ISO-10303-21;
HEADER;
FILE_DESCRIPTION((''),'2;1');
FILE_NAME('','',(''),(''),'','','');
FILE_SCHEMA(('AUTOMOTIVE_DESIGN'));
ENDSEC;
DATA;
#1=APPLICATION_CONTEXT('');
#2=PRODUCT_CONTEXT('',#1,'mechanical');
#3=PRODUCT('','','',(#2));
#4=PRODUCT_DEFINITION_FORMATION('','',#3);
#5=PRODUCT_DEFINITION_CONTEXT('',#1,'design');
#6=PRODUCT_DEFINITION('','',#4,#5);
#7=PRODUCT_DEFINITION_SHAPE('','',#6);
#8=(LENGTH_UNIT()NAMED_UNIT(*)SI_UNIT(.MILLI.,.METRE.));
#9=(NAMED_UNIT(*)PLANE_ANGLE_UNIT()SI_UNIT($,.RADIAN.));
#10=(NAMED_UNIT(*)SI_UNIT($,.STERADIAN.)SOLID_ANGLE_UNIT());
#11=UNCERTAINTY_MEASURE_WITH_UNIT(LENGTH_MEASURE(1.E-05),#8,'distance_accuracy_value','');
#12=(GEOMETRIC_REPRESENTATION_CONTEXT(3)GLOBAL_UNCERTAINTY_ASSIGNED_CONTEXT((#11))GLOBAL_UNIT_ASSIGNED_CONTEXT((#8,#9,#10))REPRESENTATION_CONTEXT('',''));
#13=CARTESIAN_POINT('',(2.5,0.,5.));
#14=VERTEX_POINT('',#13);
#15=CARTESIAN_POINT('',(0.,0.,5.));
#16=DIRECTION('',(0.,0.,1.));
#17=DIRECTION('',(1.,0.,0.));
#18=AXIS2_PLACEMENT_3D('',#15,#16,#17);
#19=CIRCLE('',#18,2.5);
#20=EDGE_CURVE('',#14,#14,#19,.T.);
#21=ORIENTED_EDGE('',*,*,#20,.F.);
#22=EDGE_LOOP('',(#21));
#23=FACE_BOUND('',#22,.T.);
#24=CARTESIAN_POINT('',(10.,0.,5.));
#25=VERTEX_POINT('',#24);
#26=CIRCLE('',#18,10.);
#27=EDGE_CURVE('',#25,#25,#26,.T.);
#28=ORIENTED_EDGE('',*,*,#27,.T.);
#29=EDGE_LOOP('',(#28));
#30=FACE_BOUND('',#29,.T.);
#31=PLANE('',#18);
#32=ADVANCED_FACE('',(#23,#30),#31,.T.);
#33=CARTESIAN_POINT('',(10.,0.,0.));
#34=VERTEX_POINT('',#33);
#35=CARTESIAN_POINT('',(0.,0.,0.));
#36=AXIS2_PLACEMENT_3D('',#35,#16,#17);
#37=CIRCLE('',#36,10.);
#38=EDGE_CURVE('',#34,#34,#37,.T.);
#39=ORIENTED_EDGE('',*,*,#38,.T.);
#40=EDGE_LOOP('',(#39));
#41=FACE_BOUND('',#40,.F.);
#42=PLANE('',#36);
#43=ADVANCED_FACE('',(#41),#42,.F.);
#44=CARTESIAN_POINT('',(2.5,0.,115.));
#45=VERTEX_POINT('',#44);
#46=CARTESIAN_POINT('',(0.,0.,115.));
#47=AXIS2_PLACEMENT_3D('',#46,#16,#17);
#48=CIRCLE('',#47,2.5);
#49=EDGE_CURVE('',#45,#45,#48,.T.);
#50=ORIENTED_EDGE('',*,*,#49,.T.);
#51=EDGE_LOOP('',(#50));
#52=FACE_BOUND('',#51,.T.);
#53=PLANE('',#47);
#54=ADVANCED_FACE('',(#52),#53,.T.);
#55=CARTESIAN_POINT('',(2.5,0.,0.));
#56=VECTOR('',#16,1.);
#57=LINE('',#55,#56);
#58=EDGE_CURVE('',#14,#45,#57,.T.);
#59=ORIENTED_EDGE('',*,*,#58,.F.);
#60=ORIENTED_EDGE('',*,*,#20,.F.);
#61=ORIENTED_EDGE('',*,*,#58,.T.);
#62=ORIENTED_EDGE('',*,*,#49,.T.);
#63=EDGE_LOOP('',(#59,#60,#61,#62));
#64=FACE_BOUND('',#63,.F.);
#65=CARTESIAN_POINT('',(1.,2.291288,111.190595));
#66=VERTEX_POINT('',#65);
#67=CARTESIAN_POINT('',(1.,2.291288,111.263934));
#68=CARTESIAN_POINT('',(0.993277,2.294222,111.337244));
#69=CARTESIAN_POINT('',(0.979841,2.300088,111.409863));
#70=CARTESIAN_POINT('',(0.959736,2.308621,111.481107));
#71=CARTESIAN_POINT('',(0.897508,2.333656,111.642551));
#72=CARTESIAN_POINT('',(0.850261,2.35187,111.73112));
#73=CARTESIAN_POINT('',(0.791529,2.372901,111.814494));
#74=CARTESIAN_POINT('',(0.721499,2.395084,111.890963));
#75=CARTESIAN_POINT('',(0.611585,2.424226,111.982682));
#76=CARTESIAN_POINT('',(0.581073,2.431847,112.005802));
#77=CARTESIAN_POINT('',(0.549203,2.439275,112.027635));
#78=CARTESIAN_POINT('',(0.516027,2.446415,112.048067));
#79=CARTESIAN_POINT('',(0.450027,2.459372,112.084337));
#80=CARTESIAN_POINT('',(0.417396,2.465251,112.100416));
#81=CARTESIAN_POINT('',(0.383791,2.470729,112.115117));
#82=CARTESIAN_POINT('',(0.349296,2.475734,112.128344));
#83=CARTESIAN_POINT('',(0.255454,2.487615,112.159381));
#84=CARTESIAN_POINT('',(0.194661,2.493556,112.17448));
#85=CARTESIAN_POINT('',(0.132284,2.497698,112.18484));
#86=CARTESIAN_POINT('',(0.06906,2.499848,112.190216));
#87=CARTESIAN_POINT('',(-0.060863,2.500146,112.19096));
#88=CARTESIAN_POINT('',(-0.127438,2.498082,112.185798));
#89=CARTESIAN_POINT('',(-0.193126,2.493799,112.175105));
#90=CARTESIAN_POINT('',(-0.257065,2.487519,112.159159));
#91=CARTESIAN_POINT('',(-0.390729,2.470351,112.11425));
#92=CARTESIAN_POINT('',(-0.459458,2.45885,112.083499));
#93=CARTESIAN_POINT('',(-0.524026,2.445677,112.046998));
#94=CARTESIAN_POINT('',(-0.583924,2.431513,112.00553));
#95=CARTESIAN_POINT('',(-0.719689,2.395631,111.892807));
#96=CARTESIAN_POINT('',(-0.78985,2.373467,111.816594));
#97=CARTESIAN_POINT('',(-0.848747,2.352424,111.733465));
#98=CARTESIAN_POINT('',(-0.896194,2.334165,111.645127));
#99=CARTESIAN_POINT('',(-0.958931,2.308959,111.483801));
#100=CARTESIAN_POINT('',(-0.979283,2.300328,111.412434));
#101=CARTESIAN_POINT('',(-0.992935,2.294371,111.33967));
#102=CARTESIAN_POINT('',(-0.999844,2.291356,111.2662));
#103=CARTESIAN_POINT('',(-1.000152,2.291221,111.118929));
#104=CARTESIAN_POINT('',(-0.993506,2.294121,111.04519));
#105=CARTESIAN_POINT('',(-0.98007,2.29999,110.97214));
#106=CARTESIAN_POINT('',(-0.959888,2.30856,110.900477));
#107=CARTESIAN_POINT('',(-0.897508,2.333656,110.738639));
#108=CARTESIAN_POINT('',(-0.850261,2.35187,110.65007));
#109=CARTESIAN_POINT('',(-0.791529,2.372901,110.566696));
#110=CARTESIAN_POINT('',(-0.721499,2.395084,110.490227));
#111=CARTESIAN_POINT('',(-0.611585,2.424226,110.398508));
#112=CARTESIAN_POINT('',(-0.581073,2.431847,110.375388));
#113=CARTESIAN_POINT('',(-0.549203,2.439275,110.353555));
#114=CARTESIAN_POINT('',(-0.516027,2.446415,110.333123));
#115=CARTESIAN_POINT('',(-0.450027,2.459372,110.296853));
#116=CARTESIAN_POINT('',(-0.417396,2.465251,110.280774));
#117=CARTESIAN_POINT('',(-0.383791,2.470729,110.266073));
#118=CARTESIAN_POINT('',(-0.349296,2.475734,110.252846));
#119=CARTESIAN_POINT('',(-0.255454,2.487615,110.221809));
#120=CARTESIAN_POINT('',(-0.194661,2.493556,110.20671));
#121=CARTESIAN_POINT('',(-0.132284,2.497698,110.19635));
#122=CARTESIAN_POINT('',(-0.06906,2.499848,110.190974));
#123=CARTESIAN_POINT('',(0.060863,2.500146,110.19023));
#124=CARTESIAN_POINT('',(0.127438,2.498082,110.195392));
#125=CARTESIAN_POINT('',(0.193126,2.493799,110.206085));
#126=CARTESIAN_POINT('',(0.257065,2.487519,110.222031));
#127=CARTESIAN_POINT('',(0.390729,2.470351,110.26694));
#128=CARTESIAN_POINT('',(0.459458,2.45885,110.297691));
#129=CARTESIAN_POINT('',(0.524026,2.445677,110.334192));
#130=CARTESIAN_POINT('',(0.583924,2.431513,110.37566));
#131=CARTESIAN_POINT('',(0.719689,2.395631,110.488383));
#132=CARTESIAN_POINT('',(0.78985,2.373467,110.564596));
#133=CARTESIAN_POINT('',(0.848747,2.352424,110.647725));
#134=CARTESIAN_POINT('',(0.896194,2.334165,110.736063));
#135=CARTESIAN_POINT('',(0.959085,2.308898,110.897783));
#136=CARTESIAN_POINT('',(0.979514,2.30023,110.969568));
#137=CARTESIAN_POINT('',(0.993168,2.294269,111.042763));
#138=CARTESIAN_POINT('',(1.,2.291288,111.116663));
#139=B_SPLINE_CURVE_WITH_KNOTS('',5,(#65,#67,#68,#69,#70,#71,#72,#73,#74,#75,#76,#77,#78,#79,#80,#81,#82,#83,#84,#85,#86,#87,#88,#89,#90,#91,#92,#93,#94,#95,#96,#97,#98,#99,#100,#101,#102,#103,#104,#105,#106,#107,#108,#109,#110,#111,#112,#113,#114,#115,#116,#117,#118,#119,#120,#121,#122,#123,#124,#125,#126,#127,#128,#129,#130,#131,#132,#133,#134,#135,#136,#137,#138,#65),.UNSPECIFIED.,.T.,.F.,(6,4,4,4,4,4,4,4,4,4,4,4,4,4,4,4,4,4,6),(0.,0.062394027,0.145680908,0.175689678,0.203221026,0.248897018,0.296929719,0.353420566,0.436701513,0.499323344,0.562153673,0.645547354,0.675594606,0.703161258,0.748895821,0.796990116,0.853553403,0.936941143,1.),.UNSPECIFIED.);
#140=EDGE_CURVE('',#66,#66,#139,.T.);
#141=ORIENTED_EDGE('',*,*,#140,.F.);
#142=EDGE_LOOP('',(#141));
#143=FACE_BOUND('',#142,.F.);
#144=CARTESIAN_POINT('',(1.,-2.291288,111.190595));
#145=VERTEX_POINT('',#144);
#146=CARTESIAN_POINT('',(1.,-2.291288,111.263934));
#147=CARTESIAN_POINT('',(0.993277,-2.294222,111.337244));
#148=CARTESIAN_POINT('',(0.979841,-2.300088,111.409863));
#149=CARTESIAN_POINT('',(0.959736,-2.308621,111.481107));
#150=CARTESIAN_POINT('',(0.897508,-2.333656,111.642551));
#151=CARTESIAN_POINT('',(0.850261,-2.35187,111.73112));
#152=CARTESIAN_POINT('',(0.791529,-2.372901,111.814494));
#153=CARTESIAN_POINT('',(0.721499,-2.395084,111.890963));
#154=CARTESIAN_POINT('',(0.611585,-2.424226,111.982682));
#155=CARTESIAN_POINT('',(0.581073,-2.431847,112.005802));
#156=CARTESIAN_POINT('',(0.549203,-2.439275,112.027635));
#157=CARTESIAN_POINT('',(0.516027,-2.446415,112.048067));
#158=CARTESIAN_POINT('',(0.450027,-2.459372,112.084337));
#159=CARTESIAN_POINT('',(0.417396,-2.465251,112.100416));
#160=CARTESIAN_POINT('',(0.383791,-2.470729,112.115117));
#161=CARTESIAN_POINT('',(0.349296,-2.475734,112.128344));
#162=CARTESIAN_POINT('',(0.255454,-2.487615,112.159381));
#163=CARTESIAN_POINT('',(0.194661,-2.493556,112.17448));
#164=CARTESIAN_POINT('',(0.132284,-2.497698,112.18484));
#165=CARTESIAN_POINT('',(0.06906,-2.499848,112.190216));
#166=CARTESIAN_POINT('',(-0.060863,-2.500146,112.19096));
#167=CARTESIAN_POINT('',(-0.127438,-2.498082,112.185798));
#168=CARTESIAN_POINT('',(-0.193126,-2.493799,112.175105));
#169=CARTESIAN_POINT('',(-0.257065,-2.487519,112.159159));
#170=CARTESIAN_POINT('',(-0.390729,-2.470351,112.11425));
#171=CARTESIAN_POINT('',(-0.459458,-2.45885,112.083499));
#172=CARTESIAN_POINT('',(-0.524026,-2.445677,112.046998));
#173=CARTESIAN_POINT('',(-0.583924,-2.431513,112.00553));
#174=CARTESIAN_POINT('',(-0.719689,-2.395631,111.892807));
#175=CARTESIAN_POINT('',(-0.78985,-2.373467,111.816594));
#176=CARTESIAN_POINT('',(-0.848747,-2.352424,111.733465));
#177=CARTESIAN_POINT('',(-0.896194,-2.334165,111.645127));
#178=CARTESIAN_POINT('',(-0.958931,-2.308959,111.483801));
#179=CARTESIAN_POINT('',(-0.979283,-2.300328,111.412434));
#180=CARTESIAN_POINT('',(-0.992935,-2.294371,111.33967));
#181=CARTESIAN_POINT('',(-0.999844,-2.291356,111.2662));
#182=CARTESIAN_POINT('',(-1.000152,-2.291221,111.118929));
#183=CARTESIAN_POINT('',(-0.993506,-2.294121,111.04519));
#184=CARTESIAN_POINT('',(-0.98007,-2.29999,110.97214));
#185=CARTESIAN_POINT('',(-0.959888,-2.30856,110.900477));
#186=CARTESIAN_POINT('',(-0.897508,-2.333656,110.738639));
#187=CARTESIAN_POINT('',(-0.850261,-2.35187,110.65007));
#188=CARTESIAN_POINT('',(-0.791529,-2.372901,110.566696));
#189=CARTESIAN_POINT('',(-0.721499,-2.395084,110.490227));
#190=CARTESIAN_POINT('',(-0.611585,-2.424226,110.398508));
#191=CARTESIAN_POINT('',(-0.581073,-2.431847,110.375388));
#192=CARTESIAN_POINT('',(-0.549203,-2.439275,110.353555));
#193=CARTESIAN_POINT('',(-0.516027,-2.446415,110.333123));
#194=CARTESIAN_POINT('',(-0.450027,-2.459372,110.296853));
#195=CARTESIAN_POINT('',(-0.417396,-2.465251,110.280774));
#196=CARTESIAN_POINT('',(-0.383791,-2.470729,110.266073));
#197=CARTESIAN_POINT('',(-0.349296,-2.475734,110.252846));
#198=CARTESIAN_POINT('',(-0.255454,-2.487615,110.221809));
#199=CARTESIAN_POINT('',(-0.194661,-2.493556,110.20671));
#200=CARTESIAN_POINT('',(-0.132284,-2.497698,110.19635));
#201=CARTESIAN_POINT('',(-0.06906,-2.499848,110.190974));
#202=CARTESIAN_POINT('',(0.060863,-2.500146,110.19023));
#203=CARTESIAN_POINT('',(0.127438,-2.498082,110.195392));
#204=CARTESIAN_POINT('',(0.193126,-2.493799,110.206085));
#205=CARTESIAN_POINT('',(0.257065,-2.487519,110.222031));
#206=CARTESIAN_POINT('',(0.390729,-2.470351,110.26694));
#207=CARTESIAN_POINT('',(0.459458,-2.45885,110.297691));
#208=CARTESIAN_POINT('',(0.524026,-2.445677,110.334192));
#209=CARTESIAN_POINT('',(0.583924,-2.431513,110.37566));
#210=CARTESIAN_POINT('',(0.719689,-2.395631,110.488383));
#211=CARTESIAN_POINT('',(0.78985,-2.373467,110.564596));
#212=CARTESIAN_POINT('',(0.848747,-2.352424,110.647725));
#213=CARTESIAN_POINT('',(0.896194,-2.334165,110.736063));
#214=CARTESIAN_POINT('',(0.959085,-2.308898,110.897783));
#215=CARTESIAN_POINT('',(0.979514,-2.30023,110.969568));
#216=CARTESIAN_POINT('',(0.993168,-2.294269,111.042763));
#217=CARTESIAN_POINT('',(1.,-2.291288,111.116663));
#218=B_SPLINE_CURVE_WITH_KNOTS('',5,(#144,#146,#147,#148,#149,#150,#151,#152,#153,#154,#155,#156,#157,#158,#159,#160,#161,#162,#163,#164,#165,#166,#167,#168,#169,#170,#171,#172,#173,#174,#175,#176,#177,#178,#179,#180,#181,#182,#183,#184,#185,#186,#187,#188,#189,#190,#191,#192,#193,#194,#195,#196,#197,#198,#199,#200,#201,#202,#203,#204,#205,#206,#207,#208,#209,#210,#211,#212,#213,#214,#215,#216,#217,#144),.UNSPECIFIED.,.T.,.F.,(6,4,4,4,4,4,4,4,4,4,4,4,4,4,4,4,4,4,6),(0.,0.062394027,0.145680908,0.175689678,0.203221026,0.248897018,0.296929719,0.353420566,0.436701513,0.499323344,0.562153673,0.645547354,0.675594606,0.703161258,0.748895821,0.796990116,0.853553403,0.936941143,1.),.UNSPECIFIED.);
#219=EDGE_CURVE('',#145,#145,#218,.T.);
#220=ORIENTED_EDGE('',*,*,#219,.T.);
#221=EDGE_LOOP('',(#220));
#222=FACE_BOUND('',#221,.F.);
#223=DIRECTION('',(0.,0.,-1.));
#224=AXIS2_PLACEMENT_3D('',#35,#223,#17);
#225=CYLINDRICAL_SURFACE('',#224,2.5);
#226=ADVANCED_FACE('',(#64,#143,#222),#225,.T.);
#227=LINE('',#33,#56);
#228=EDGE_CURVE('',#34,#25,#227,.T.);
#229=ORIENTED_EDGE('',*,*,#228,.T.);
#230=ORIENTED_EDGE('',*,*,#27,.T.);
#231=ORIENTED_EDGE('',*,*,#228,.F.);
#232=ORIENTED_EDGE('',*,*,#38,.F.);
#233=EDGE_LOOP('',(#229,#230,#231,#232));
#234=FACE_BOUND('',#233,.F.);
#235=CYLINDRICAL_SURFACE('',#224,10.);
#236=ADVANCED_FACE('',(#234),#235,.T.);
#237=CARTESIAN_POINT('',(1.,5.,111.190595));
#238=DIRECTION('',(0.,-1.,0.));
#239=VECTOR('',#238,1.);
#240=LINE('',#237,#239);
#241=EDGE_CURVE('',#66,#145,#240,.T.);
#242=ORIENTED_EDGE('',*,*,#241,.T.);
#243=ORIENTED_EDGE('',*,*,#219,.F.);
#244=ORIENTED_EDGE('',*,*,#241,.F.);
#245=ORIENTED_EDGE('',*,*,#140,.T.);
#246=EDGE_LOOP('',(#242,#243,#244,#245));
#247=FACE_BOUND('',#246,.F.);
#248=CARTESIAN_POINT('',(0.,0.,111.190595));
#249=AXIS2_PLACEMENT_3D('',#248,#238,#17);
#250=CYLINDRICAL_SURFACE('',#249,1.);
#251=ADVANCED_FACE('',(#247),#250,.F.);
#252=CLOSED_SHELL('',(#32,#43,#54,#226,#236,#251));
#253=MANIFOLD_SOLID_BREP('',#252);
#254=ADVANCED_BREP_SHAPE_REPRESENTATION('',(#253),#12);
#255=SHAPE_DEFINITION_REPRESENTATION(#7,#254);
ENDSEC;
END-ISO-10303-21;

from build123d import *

# Parameters (mm, degrees)
F0_R     = 2.5
F1_DEPTH = 115
F0_R_2   = 10
F2_DEPTH = 5
F3_R     = 1
F4_DEPTH = 5


with BuildPart() as f1:
    # F0 (on Top) → F1 (new body)
    with BuildSketch(Plane.XY):
        Circle(F0_R)
    extrude(amount=F1_DEPTH)

    # F0 (on Top) → F2 (join)
    with BuildSketch(Plane.XY):
        Circle(F0_R_2)
        Circle(F0_R, mode=Mode.SUBTRACT)
    extrude(amount=F2_DEPTH)

    # F3 (on Front) → F4 (cut, symmetric)
    with BuildSketch(Plane.XZ):
        with Locations((0, 111.190595)):
            Circle(F3_R)
    extrude(amount=F4_DEPTH, both=True, mode=Mode.SUBTRACT)


solid = f1.part
